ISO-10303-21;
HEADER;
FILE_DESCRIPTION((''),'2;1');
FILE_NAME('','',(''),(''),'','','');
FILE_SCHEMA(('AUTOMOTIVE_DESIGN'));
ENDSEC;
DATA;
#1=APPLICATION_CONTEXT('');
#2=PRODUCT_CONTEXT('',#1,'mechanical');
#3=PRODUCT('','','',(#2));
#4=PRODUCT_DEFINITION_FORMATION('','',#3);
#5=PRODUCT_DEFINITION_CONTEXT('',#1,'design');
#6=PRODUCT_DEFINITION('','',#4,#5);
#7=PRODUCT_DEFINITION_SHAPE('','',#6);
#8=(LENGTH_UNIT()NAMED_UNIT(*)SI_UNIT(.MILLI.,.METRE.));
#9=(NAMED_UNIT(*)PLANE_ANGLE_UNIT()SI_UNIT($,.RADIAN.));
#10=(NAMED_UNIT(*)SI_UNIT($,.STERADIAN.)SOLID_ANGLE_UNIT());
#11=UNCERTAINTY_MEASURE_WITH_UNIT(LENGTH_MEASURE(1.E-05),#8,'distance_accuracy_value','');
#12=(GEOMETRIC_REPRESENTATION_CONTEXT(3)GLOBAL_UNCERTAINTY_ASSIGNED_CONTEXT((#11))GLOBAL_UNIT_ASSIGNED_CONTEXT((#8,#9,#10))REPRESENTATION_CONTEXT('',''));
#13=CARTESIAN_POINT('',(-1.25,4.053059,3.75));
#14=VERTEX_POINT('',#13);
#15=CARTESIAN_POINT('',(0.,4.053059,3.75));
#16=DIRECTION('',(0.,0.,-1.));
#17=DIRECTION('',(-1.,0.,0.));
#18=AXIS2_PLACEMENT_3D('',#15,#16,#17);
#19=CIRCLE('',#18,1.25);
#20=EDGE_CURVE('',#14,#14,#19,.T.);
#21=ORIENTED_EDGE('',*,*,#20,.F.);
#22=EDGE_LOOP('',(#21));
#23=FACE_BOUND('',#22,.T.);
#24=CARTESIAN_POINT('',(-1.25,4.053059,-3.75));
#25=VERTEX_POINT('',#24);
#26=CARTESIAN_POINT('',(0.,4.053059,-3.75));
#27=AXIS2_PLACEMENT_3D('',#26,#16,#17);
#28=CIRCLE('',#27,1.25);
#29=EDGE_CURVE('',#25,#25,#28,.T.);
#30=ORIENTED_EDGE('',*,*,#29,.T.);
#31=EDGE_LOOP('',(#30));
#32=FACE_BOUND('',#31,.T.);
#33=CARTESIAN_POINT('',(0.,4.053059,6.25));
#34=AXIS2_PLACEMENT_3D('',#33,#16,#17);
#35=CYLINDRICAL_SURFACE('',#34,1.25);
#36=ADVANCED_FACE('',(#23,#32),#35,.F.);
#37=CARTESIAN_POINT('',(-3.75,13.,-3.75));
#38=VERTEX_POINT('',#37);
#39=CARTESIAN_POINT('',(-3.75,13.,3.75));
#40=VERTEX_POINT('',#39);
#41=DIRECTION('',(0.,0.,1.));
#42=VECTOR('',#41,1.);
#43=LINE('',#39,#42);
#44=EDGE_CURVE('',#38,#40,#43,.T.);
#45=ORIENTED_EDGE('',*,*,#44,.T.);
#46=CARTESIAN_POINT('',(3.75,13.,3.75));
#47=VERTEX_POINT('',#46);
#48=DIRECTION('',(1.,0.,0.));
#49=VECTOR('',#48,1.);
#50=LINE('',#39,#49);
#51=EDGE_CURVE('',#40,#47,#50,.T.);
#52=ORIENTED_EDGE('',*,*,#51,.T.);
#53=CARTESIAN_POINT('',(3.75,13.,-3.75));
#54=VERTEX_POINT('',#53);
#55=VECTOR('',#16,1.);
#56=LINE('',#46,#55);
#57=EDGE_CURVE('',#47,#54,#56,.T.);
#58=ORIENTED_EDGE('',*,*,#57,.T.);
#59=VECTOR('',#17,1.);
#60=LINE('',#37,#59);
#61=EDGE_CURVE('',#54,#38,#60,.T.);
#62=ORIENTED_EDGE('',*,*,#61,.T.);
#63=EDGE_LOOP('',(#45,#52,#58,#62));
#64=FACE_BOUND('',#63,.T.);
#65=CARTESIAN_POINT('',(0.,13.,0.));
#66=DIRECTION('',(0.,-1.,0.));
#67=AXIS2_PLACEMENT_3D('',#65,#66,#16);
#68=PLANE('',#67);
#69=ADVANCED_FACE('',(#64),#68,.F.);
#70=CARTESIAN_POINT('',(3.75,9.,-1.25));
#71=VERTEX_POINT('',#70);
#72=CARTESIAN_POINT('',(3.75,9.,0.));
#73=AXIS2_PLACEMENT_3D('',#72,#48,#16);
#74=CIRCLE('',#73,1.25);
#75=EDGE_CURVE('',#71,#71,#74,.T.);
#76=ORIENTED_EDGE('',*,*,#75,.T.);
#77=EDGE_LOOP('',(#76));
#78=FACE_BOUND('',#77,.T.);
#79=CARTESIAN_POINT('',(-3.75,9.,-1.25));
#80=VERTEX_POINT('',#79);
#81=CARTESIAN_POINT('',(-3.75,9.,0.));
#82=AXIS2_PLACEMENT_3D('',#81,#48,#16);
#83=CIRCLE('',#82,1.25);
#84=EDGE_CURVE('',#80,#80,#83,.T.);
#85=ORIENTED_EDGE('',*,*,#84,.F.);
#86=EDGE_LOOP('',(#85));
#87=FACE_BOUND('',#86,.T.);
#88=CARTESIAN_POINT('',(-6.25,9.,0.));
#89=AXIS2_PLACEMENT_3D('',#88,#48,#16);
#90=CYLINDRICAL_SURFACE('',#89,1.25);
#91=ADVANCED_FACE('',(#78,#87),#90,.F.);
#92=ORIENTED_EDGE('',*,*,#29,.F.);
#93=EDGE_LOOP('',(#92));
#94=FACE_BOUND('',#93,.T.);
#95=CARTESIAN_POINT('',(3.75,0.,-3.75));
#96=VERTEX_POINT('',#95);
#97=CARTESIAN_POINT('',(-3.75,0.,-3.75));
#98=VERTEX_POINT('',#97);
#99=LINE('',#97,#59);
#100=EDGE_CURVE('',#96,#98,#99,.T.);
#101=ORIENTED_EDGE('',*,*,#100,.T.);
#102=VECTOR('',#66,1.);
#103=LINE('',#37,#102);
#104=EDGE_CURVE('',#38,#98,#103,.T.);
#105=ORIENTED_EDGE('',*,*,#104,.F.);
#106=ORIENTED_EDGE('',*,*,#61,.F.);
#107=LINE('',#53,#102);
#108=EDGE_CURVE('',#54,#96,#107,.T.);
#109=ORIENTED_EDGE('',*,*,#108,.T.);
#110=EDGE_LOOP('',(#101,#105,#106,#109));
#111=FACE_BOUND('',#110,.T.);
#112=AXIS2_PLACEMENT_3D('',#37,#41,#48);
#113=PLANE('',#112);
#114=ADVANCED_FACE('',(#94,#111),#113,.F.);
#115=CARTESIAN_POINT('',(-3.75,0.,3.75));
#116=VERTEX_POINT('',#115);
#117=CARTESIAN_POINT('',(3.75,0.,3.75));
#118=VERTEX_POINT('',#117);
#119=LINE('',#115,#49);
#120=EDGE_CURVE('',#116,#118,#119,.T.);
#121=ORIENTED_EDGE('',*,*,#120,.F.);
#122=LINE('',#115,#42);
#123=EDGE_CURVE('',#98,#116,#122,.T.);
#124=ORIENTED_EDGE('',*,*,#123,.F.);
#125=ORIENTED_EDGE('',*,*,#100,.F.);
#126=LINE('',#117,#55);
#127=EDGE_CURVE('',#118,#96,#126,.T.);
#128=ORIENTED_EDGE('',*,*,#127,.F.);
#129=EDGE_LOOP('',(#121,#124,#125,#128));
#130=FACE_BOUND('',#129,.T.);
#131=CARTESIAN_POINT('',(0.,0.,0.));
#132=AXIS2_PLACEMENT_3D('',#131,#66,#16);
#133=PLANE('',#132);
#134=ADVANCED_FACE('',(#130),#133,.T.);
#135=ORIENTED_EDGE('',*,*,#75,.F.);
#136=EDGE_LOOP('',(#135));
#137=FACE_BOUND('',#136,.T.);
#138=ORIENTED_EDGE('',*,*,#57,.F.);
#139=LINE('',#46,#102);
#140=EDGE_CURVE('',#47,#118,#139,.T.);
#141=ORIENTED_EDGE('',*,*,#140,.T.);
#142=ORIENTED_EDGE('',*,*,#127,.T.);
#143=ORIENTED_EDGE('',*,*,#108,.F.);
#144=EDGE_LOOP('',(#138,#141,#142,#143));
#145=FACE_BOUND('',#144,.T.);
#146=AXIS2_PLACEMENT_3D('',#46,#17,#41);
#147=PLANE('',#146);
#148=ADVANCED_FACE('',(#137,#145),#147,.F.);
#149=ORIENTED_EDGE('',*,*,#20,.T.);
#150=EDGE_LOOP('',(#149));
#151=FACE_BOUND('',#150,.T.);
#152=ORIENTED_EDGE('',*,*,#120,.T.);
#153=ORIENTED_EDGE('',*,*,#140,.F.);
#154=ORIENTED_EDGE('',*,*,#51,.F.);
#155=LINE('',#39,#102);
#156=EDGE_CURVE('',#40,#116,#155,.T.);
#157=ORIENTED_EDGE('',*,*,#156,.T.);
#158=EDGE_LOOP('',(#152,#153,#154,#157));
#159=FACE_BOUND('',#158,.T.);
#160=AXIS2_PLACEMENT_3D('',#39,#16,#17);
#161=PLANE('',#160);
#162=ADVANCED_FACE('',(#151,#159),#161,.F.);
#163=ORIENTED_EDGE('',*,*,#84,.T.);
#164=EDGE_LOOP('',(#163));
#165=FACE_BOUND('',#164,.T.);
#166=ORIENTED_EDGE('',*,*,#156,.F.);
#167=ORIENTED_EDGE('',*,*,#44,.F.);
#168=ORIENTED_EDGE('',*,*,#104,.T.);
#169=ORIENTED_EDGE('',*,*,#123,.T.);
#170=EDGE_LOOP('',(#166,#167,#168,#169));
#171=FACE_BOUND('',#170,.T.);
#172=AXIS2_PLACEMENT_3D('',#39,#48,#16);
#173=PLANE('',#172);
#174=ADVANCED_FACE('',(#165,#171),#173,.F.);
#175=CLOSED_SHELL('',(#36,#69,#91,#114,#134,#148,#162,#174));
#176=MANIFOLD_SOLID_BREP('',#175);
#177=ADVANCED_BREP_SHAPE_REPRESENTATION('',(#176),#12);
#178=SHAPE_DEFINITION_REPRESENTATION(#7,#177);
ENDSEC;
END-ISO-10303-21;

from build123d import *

# Parameters (mm, degrees)
SKETCH1_W           = 7.5
SKETCH1_H           = 7.5
BOSS_EXTRUDE1_DEPTH = 13
SKETCH2_R           = 1.25
CUT_EXTRUDE1_DEPTH  = 10
SKETCH3_R           = 1.25
CUT_EXTRUDE2_DEPTH  = 10


with BuildPart() as part:
    # Sketch1 → Boss-Extrude1 (new body)
    with BuildSketch(Plane(origin=(0, 0, 0), x_dir=(1, 0, 0), z_dir=(0, 1, 0))):
        Rectangle(SKETCH1_W, SKETCH1_H)
    extrude(amount=BOSS_EXTRUDE1_DEPTH)

    # Sketch2 → Cut-Extrude1 (cut)
    with BuildSketch(Plane(origin=(0, 0, -3.75), x_dir=(-1, 0, 0), z_dir=(0, 0, -1))):
        with Locations((0, 4.053058834)):
            Circle(SKETCH2_R)
    extrude(amount=-CUT_EXTRUDE1_DEPTH, mode=Mode.SUBTRACT)

    # Sketch3 → Cut-Extrude2 (cut)
    with BuildSketch(Plane(origin=(3.75, 0, 0), x_dir=(0, 0, -1), z_dir=(1, 0, 0))):
        with Locations((0, 9)):
            Circle(SKETCH3_R)
    extrude(amount=-CUT_EXTRUDE2_DEPTH, mode=Mode.SUBTRACT)


solid = part.part
